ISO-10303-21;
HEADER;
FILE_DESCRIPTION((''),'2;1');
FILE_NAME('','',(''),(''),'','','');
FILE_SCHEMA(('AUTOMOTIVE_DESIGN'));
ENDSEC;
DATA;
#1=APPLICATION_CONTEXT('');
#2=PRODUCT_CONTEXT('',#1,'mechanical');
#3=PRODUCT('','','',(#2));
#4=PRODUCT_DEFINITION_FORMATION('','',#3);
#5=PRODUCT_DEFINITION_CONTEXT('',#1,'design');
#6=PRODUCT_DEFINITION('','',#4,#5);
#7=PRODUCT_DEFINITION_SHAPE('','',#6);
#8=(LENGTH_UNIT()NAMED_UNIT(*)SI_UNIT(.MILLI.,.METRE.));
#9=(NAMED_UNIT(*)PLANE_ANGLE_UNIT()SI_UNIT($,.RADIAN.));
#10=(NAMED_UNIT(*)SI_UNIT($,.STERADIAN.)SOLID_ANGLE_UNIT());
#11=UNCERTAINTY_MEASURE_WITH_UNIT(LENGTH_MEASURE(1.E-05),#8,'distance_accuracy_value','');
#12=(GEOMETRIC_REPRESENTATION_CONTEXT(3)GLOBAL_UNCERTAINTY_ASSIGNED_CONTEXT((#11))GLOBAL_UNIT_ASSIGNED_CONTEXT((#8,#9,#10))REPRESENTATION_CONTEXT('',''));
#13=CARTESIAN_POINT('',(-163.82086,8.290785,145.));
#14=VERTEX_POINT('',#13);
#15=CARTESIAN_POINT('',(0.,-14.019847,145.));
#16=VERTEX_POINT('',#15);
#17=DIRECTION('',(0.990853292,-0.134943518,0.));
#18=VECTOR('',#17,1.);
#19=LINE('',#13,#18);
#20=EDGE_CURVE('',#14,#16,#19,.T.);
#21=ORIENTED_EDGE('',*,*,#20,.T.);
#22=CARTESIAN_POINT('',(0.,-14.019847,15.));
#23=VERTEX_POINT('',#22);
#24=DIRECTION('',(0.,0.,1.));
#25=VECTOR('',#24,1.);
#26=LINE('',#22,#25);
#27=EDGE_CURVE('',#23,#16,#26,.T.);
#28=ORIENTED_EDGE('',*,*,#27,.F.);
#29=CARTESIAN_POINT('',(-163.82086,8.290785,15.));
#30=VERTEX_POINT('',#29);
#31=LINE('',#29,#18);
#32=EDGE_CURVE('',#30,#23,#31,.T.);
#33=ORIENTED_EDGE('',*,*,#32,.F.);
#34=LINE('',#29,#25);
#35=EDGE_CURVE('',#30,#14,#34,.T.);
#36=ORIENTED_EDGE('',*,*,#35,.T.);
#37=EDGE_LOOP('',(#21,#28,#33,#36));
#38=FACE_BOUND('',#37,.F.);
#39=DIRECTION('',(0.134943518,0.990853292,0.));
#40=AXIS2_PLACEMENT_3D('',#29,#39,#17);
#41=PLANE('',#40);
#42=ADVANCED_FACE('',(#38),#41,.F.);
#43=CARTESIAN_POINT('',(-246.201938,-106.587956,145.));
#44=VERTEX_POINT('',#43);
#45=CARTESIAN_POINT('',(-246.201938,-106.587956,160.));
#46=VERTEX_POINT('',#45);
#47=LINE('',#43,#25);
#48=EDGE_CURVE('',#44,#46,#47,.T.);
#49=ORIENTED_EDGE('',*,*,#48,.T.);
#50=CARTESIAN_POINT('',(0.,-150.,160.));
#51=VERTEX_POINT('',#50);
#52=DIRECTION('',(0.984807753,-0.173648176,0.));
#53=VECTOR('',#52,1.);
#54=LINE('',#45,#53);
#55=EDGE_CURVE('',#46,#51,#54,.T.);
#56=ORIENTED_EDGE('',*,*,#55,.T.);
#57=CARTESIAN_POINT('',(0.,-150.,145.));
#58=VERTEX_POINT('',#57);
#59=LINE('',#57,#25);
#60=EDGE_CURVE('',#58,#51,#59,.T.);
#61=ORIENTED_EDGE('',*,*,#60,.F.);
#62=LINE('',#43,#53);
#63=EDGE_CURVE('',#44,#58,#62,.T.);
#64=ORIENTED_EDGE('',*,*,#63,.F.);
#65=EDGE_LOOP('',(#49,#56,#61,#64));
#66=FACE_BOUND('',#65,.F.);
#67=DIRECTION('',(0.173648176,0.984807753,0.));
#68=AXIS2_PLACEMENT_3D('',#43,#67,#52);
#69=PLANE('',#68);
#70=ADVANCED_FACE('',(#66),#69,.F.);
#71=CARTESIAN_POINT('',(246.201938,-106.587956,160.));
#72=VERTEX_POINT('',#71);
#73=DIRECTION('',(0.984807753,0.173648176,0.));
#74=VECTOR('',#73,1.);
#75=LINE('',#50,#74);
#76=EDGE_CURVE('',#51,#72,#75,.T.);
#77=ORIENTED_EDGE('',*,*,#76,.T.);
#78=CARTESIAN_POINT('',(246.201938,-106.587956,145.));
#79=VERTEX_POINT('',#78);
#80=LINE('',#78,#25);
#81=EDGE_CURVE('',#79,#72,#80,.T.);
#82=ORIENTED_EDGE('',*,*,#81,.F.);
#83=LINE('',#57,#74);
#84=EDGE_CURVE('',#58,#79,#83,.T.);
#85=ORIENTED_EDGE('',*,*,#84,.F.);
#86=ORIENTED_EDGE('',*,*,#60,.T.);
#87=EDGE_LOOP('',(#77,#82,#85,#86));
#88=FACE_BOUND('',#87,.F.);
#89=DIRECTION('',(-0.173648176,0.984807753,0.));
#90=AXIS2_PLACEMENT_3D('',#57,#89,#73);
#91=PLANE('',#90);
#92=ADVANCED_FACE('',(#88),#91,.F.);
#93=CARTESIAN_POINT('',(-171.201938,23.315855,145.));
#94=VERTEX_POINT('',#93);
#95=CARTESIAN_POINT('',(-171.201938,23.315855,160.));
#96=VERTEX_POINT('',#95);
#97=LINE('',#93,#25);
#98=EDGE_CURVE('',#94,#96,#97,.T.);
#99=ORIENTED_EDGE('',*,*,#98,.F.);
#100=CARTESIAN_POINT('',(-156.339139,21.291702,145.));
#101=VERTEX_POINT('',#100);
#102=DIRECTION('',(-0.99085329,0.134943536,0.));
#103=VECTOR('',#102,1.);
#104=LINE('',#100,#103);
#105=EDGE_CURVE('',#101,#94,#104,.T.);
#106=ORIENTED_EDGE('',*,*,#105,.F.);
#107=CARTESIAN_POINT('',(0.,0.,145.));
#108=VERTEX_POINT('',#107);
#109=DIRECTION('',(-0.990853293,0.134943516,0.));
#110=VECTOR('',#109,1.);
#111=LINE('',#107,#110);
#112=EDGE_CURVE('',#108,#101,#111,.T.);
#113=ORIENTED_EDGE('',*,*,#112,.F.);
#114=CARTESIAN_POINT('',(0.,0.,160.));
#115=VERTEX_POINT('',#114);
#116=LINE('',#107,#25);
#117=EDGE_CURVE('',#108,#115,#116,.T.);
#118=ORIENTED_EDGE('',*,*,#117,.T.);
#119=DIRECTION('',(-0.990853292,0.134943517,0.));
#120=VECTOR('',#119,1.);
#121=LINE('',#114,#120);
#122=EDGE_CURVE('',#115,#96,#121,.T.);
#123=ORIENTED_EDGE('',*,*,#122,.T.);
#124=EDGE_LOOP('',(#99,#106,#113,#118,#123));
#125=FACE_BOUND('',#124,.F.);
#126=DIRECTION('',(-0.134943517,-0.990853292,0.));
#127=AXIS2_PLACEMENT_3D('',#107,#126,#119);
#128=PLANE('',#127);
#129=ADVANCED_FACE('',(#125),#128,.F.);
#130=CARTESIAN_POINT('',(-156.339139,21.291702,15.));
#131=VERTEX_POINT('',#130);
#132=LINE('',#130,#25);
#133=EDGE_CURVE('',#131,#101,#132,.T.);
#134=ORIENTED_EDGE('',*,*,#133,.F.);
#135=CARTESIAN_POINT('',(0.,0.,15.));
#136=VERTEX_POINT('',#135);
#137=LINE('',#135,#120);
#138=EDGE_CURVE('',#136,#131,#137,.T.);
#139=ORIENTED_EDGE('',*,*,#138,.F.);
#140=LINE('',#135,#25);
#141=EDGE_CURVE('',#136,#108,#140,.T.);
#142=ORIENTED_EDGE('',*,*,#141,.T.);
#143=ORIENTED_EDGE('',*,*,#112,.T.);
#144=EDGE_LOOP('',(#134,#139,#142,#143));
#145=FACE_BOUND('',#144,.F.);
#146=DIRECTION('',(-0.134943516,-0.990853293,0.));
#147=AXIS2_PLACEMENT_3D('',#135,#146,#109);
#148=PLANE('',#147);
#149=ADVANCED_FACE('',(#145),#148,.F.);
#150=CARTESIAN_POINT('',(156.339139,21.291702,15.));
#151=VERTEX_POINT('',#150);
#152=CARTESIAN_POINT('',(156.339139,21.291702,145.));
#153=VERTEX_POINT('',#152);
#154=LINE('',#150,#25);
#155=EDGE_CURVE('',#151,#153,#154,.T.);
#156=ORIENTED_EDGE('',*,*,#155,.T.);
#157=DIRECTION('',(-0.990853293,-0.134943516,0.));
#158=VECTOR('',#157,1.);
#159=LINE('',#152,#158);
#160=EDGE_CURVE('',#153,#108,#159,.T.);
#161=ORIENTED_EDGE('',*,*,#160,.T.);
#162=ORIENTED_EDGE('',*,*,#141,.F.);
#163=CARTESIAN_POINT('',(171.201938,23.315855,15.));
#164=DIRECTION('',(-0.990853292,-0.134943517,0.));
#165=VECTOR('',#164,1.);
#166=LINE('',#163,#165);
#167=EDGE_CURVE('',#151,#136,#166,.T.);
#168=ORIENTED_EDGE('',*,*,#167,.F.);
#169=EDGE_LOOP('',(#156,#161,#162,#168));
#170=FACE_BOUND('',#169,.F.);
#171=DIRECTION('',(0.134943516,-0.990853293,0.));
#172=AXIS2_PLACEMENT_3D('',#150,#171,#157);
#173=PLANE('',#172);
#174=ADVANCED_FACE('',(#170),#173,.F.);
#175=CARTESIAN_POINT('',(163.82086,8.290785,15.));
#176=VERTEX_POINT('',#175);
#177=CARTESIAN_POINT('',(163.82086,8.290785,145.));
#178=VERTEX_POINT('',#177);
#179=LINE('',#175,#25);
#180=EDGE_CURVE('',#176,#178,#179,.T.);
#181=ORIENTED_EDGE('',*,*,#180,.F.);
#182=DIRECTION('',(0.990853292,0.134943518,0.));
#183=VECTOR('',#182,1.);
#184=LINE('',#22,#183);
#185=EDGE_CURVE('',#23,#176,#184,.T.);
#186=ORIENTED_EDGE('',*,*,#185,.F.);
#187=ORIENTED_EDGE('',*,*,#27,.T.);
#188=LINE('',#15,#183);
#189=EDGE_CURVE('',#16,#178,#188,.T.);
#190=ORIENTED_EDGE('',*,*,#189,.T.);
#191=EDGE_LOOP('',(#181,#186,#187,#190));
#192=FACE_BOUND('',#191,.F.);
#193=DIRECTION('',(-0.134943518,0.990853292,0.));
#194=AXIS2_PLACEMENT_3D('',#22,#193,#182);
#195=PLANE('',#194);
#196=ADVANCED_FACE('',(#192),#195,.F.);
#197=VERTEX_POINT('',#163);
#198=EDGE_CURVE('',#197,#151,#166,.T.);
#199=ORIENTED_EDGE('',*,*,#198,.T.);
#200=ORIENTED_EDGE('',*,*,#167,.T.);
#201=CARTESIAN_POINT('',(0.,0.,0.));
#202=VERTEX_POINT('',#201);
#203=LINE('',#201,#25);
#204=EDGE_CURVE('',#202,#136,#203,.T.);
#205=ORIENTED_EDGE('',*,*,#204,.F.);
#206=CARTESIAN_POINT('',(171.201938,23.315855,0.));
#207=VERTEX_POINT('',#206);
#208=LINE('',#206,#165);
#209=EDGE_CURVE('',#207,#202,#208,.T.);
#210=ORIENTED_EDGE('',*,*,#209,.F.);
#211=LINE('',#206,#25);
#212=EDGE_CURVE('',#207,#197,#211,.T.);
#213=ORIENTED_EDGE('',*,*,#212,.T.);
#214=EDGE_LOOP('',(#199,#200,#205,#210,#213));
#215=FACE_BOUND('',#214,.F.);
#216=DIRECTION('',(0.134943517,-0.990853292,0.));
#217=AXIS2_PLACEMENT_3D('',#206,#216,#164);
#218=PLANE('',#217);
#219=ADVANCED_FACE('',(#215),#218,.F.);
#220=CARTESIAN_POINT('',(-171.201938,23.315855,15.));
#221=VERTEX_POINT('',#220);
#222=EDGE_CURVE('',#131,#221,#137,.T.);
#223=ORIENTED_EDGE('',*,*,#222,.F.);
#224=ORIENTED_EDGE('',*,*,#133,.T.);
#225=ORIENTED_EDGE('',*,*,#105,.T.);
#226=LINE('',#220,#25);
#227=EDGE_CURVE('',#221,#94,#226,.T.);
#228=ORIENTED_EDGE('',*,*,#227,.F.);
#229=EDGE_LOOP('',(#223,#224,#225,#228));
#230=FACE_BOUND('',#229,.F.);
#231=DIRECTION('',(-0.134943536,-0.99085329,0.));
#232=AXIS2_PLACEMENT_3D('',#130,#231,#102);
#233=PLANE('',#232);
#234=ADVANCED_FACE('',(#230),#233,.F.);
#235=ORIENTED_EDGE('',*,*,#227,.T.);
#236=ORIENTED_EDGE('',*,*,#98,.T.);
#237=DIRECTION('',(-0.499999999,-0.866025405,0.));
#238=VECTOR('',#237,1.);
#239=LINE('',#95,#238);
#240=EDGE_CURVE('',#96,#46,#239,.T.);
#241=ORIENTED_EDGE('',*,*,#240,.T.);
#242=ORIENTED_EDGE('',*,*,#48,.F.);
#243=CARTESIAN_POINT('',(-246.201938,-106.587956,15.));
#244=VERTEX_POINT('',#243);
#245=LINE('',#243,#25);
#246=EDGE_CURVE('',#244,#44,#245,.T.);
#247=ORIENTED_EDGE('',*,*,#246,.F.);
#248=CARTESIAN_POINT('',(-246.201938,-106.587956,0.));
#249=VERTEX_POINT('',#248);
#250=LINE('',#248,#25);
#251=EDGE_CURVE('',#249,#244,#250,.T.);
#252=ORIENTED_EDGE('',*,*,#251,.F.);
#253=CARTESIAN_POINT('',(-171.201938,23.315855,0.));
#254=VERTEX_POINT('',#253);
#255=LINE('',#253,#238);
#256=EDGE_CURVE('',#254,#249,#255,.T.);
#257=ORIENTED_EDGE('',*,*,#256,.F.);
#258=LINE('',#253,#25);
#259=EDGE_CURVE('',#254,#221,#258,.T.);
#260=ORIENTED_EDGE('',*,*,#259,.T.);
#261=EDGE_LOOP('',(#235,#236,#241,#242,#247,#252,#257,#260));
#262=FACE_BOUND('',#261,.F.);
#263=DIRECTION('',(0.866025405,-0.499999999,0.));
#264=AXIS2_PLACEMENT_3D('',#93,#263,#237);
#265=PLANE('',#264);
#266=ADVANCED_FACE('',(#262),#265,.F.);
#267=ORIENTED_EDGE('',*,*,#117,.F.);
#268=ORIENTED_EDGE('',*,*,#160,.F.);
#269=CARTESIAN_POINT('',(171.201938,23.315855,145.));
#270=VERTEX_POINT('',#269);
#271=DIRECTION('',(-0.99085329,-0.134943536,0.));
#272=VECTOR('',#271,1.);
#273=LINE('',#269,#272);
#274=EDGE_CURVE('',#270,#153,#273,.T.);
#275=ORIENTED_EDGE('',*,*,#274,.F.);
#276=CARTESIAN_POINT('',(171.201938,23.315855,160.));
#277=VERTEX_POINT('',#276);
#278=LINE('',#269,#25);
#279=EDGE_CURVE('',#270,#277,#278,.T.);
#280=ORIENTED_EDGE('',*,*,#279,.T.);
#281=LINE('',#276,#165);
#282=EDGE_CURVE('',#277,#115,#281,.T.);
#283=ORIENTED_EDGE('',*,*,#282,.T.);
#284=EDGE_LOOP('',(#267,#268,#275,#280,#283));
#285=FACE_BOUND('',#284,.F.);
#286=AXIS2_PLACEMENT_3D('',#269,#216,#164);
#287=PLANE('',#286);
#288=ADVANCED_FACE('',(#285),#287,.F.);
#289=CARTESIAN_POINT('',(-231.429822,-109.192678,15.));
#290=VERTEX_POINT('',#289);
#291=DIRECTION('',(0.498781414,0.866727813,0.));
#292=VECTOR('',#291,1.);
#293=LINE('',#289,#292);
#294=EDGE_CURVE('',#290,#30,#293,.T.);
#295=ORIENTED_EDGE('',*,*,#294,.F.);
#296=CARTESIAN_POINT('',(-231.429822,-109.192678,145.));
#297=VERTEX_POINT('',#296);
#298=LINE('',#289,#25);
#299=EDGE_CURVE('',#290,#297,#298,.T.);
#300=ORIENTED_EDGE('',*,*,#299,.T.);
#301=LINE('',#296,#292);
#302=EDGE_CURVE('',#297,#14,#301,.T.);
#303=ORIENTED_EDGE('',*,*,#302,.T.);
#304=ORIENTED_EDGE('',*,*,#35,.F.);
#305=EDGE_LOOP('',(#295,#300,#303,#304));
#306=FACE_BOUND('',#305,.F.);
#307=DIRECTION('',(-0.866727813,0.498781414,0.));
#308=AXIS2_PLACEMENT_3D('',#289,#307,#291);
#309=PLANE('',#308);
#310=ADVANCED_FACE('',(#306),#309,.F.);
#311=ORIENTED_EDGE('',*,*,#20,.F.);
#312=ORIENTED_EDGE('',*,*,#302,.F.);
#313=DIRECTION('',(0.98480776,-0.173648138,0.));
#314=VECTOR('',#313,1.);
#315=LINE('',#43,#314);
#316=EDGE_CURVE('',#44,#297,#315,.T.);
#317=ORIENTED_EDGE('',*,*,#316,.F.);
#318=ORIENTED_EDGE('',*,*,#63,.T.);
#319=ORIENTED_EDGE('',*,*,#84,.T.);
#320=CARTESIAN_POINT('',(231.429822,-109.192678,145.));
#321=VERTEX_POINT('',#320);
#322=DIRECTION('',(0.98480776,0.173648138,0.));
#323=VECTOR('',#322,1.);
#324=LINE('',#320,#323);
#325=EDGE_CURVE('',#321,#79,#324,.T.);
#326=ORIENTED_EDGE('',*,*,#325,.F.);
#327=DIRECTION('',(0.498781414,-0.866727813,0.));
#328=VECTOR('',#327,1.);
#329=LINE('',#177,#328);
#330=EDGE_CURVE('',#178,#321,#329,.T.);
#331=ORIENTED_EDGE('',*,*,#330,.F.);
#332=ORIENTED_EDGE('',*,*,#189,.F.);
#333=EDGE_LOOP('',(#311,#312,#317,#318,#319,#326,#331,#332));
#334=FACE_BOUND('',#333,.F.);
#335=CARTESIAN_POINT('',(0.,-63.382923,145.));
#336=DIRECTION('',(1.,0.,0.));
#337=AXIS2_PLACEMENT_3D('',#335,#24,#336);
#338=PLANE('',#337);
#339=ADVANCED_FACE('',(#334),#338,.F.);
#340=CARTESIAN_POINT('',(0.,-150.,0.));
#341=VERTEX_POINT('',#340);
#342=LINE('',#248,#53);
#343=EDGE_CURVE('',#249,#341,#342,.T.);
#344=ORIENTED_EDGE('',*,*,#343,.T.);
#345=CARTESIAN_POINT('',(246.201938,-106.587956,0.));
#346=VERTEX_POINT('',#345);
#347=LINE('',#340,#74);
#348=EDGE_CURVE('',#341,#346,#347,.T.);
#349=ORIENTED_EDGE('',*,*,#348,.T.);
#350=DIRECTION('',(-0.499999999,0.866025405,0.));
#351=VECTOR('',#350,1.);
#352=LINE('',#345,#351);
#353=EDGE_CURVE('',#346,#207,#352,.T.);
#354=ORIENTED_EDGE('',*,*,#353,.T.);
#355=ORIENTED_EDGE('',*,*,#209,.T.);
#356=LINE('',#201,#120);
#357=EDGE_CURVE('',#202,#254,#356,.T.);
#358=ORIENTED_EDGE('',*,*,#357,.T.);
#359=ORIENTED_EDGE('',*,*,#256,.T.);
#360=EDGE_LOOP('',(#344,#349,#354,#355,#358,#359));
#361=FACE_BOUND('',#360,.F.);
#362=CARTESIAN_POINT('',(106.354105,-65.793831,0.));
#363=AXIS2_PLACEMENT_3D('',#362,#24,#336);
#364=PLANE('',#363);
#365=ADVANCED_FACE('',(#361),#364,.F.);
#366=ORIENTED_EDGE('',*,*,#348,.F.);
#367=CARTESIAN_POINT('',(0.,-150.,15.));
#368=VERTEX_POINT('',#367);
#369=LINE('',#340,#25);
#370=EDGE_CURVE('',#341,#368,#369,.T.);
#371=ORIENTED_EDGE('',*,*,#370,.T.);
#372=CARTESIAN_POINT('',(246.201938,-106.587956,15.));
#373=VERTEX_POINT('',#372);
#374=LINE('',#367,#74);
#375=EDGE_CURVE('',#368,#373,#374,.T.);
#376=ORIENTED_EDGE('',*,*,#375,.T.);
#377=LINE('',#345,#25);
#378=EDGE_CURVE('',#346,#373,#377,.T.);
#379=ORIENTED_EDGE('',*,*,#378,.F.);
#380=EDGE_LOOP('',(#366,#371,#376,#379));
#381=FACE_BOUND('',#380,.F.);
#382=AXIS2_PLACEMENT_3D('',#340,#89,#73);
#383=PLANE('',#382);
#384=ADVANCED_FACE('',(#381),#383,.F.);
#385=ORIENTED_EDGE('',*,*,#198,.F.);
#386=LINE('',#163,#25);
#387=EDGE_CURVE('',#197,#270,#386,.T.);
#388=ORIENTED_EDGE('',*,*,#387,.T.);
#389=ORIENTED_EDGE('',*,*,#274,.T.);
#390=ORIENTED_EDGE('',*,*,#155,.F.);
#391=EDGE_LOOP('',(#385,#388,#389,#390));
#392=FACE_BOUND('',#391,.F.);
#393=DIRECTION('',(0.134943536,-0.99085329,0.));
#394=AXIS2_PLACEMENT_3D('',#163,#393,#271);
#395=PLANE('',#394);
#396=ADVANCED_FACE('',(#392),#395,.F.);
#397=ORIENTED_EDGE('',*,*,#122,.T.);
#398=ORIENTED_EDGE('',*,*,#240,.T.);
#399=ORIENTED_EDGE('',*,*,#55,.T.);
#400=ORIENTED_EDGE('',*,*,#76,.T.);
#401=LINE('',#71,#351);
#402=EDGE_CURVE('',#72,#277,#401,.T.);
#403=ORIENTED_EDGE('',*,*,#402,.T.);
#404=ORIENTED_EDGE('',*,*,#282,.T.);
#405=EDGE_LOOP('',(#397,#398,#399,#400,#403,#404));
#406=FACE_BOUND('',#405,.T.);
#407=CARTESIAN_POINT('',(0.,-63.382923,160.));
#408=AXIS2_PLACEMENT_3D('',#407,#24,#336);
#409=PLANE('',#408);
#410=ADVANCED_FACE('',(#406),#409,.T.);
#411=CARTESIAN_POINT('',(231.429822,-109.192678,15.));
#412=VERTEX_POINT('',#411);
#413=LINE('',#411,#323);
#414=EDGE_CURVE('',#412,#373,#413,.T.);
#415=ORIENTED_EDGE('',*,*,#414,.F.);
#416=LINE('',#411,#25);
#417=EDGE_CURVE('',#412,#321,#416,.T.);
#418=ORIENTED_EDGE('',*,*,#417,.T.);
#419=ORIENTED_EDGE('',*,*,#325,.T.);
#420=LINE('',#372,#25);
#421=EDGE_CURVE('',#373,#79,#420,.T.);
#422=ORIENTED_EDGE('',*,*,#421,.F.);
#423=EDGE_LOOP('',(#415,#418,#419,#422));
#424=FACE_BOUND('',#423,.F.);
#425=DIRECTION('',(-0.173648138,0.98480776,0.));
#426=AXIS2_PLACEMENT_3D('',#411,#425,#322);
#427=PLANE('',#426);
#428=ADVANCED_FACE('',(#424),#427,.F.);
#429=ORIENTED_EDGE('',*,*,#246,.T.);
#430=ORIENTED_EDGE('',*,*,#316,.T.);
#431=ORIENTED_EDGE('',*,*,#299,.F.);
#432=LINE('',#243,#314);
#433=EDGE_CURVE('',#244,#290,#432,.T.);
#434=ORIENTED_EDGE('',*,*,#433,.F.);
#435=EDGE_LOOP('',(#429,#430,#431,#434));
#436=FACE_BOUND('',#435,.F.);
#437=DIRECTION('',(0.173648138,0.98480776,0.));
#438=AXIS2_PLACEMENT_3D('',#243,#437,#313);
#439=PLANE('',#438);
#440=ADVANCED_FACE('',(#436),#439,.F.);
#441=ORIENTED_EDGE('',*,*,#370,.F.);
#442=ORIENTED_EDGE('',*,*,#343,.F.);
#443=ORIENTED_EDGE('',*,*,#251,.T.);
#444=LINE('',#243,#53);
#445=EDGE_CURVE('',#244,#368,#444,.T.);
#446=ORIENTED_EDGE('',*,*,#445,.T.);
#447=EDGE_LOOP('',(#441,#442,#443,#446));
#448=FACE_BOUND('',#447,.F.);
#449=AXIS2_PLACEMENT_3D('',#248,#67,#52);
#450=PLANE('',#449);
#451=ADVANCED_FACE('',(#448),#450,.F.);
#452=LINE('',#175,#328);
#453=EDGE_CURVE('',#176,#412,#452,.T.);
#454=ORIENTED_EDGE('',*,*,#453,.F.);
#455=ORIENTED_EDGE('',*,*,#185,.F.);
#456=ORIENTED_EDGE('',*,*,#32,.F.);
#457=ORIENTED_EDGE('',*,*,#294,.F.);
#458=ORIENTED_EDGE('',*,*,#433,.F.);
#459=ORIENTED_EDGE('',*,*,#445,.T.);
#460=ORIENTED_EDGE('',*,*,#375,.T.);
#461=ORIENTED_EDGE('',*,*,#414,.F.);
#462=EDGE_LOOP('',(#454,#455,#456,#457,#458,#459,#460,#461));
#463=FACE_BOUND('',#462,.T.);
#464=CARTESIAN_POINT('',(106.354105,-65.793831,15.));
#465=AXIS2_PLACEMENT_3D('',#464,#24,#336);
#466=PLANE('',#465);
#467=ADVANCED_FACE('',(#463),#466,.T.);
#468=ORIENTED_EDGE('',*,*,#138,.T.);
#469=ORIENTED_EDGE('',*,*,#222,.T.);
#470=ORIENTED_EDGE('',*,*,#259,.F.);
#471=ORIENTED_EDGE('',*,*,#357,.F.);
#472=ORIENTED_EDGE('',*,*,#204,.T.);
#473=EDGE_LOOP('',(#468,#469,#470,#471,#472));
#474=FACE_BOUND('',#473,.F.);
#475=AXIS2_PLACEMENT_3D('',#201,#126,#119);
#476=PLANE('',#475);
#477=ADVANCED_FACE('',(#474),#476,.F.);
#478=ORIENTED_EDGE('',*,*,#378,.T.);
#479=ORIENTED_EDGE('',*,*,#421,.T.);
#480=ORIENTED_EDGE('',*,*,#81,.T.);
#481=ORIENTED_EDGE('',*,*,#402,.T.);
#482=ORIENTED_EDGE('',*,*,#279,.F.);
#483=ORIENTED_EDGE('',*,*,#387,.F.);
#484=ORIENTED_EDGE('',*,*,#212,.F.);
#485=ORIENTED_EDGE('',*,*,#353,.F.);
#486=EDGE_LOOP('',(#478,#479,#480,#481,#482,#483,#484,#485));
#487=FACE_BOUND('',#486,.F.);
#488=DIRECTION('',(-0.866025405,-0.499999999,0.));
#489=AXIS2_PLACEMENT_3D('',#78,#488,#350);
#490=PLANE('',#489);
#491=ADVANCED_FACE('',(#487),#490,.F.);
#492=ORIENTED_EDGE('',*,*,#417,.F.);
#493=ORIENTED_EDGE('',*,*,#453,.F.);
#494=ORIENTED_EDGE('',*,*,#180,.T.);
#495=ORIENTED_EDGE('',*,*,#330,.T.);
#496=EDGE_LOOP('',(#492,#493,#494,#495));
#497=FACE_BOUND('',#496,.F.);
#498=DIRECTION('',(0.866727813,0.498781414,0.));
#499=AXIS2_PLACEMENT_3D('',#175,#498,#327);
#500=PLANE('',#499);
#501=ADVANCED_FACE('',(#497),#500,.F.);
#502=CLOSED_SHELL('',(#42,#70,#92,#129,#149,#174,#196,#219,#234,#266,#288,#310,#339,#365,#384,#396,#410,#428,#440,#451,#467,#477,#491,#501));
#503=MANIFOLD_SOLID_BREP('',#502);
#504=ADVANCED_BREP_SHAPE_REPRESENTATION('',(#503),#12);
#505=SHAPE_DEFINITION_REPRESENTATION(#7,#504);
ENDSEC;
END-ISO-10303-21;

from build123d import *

# Parameters (mm, degrees)
F1_DEPTH = 15
F3_DEPTH = 130
F5_DEPTH = 15


with BuildPart() as f1:
    # F0 (on Top) → F1 (new body)
    with BuildSketch(Plane.XY):
        Polygon((171.201938, 23.315855), (0, 0), (0, -150), (246.201938, -106.587956), align=None)
        Polygon((0, -150), (0, 0), (-171.201938, 23.315855), (-246.201938, -106.587956), align=None)
    extrude(amount=F1_DEPTH)

    # F2 (on face) → F3 (join)
    with BuildSketch(Plane.XY.offset(15)):
        Polygon((-171.201938, 23.315855), (-246.201938, -106.587956), (-231.429822, -109.192678), (-163.82086, 8.290785), (0, -14.019847), (163.82086, 8.290785), (231.429822, -109.192678), (246.201938, -106.587956), (171.201938, 23.315855), (156.339139, 21.291702), (0, 0), (-156.339139, 21.291702), align=None)
    extrude(amount=F3_DEPTH)

    # F4 (on face) → F5 (join)
    with BuildSketch(Plane.XY.offset(145)):
        Polygon((-171.201938, 23.315855), (-246.201938, -106.587956), (0, -150), (246.201938, -106.587956), (171.201938, 23.315855), (0, 0), align=None)
    extrude(amount=F5_DEPTH)


solid = f1.part
